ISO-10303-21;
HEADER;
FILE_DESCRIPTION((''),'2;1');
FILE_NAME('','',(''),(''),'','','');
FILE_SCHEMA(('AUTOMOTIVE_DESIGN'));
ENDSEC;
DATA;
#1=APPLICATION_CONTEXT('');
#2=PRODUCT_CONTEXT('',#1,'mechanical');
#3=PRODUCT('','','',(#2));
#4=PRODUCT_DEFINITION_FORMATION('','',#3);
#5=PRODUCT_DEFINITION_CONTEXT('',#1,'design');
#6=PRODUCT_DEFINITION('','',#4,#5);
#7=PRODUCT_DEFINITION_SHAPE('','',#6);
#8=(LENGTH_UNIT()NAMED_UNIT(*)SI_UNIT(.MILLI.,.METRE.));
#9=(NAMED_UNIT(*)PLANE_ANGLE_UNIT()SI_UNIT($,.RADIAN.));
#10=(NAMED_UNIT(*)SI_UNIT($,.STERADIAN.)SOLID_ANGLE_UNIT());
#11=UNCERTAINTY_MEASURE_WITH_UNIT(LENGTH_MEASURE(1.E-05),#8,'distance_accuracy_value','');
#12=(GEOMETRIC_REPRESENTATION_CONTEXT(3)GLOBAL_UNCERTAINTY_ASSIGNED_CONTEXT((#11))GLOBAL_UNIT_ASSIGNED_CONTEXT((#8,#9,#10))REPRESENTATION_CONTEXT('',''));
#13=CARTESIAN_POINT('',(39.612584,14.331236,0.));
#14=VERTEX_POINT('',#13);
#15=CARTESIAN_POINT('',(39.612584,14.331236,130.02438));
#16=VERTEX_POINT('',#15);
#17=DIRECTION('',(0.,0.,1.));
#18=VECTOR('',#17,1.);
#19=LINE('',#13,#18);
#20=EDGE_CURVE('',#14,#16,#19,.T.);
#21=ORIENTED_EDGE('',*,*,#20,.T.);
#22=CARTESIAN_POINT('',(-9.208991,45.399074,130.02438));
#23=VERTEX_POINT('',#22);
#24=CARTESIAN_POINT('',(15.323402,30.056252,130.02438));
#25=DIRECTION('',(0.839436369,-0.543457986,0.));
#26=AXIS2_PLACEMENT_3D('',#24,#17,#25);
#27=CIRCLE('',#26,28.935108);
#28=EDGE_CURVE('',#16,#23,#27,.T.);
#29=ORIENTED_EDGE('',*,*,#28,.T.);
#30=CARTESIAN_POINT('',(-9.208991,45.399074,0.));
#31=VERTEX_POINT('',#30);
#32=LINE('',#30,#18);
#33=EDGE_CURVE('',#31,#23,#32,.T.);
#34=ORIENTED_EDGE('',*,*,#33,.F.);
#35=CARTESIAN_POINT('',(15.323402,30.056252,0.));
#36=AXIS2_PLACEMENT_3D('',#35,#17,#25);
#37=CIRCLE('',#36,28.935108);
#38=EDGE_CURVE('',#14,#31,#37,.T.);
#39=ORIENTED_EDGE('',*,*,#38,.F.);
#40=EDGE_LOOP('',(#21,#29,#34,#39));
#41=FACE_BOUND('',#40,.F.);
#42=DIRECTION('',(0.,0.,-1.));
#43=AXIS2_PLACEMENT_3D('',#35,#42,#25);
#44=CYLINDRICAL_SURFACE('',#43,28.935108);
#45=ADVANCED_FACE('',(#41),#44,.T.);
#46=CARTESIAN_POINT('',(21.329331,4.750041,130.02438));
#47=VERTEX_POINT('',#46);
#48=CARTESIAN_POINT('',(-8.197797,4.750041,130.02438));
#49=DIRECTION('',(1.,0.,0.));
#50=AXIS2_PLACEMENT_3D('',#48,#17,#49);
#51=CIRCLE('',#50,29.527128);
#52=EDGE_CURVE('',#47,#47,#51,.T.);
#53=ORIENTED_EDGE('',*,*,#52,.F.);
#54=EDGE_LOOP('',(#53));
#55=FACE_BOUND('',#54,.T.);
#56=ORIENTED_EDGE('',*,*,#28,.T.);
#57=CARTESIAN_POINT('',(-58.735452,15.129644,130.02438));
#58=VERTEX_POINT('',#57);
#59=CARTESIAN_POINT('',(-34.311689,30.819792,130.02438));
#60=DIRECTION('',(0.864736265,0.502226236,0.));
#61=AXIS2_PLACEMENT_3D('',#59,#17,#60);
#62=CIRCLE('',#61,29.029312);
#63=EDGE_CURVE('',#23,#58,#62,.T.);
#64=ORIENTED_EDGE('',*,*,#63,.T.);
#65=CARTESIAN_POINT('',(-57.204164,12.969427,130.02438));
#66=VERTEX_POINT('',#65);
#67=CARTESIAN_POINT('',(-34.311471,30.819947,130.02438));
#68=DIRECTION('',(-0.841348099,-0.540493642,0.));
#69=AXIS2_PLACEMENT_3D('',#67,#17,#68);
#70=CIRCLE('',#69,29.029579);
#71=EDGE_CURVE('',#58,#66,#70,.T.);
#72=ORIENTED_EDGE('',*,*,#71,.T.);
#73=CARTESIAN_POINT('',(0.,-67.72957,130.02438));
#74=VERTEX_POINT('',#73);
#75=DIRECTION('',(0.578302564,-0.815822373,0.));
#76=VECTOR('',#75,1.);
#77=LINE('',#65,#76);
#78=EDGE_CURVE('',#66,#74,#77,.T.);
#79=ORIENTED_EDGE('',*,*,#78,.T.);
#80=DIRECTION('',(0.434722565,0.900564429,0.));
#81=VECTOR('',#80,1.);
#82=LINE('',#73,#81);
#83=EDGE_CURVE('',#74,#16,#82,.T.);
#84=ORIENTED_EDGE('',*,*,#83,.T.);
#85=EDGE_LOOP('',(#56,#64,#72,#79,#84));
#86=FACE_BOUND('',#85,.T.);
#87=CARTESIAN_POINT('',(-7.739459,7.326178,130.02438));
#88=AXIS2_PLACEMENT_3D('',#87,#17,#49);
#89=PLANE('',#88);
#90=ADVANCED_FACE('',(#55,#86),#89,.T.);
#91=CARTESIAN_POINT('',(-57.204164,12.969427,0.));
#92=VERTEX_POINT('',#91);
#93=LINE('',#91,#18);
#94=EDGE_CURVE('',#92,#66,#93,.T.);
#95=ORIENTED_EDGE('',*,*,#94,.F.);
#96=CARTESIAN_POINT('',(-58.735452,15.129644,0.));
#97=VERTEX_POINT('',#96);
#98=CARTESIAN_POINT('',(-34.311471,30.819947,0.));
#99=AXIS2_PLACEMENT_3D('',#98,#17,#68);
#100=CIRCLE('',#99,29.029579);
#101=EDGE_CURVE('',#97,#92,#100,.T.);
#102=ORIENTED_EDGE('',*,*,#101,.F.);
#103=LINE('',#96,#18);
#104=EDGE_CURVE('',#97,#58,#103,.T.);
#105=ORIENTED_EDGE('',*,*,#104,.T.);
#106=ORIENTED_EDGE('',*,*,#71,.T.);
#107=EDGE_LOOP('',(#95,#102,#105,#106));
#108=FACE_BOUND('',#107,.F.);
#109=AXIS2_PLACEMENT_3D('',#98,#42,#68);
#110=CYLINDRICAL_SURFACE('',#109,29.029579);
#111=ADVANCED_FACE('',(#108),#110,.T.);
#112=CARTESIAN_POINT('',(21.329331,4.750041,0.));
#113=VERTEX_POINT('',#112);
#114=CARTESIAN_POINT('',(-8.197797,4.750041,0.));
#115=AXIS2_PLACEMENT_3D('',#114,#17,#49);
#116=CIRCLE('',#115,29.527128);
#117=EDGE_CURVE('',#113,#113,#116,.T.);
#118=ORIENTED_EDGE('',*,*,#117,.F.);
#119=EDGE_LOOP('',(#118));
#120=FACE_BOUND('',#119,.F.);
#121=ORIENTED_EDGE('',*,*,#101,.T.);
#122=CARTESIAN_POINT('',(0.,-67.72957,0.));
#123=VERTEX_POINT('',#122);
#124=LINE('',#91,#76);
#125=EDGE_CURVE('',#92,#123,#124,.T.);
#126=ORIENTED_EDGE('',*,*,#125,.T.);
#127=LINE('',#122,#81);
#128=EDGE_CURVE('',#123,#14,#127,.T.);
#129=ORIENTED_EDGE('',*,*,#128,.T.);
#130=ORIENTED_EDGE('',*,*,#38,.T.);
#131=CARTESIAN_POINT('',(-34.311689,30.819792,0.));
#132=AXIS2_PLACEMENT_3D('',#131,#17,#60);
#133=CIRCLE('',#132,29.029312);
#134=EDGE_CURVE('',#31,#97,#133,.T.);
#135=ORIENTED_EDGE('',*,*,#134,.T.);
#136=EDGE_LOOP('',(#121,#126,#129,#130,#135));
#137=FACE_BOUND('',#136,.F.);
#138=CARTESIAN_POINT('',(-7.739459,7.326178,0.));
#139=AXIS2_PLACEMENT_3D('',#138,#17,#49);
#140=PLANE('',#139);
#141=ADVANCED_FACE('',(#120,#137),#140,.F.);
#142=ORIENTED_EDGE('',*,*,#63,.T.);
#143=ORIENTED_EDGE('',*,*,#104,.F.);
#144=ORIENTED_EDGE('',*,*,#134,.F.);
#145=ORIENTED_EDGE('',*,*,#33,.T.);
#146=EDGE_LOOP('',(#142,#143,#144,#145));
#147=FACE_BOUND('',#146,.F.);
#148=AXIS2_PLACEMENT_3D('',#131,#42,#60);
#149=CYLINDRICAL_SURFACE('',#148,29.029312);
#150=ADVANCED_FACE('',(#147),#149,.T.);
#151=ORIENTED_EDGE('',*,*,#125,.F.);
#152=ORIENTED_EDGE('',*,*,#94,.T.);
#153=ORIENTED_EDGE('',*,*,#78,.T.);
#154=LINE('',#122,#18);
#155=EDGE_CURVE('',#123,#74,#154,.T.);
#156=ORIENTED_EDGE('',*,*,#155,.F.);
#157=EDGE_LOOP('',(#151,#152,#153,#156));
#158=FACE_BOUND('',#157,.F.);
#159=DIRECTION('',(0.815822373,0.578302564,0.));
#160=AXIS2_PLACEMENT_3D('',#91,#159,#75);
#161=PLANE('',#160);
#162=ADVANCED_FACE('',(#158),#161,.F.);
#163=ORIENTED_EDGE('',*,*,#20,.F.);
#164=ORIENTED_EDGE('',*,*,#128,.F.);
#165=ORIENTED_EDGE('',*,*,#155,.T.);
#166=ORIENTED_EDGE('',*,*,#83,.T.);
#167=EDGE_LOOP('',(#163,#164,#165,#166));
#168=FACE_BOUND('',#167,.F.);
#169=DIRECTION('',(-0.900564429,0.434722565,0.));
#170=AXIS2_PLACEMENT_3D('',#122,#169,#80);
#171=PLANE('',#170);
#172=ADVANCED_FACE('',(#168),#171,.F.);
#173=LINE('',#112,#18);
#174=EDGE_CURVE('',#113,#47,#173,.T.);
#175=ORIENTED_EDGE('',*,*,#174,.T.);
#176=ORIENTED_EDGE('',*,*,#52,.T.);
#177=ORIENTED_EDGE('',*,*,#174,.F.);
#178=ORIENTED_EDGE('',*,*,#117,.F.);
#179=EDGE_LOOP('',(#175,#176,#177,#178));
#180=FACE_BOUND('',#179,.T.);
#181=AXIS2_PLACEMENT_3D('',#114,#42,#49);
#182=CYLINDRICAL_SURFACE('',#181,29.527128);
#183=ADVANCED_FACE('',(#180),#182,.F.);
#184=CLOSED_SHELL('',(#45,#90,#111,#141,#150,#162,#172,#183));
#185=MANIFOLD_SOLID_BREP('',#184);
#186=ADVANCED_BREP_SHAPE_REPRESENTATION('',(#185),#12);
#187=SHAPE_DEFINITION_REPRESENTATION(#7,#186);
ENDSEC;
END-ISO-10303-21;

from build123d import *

# Parameters (mm, degrees)
F0_R     = 29.527128
F1_DEPTH = 130.02438


with BuildPart() as f1:
    # F0 (on Top) → F1 (new body)
    with BuildSketch(Plane.XY):
        with BuildLine():
            ThreePointArc((39.612584, 14.331236), (30.857797, 54.467787), (-9.208991, 45.399074))
            ThreePointArc((-9.208991, 45.399074), (-49.450211, 55.589251), (-58.735452, 15.129644))
            Line((-58.735452, 15.129644), (-57.204164, 12.969427))
            Line((-57.204164, 12.969427), (0, -67.72957))
            Line((0, -67.72957), (39.612584, 14.331236))
        make_face()
        with Locations((-8.197797, 4.750041)):
            Circle(F0_R, mode=Mode.SUBTRACT)
        with BuildLine():
            Line((-57.204164, 12.969427), (-58.735452, 15.129644))
            ThreePointArc((-58.735452, 15.129644), (-57.994451, 14.032067), (-57.204164, 12.969427))
        make_face()
    extrude(amount=F1_DEPTH)


solid = f1.part
